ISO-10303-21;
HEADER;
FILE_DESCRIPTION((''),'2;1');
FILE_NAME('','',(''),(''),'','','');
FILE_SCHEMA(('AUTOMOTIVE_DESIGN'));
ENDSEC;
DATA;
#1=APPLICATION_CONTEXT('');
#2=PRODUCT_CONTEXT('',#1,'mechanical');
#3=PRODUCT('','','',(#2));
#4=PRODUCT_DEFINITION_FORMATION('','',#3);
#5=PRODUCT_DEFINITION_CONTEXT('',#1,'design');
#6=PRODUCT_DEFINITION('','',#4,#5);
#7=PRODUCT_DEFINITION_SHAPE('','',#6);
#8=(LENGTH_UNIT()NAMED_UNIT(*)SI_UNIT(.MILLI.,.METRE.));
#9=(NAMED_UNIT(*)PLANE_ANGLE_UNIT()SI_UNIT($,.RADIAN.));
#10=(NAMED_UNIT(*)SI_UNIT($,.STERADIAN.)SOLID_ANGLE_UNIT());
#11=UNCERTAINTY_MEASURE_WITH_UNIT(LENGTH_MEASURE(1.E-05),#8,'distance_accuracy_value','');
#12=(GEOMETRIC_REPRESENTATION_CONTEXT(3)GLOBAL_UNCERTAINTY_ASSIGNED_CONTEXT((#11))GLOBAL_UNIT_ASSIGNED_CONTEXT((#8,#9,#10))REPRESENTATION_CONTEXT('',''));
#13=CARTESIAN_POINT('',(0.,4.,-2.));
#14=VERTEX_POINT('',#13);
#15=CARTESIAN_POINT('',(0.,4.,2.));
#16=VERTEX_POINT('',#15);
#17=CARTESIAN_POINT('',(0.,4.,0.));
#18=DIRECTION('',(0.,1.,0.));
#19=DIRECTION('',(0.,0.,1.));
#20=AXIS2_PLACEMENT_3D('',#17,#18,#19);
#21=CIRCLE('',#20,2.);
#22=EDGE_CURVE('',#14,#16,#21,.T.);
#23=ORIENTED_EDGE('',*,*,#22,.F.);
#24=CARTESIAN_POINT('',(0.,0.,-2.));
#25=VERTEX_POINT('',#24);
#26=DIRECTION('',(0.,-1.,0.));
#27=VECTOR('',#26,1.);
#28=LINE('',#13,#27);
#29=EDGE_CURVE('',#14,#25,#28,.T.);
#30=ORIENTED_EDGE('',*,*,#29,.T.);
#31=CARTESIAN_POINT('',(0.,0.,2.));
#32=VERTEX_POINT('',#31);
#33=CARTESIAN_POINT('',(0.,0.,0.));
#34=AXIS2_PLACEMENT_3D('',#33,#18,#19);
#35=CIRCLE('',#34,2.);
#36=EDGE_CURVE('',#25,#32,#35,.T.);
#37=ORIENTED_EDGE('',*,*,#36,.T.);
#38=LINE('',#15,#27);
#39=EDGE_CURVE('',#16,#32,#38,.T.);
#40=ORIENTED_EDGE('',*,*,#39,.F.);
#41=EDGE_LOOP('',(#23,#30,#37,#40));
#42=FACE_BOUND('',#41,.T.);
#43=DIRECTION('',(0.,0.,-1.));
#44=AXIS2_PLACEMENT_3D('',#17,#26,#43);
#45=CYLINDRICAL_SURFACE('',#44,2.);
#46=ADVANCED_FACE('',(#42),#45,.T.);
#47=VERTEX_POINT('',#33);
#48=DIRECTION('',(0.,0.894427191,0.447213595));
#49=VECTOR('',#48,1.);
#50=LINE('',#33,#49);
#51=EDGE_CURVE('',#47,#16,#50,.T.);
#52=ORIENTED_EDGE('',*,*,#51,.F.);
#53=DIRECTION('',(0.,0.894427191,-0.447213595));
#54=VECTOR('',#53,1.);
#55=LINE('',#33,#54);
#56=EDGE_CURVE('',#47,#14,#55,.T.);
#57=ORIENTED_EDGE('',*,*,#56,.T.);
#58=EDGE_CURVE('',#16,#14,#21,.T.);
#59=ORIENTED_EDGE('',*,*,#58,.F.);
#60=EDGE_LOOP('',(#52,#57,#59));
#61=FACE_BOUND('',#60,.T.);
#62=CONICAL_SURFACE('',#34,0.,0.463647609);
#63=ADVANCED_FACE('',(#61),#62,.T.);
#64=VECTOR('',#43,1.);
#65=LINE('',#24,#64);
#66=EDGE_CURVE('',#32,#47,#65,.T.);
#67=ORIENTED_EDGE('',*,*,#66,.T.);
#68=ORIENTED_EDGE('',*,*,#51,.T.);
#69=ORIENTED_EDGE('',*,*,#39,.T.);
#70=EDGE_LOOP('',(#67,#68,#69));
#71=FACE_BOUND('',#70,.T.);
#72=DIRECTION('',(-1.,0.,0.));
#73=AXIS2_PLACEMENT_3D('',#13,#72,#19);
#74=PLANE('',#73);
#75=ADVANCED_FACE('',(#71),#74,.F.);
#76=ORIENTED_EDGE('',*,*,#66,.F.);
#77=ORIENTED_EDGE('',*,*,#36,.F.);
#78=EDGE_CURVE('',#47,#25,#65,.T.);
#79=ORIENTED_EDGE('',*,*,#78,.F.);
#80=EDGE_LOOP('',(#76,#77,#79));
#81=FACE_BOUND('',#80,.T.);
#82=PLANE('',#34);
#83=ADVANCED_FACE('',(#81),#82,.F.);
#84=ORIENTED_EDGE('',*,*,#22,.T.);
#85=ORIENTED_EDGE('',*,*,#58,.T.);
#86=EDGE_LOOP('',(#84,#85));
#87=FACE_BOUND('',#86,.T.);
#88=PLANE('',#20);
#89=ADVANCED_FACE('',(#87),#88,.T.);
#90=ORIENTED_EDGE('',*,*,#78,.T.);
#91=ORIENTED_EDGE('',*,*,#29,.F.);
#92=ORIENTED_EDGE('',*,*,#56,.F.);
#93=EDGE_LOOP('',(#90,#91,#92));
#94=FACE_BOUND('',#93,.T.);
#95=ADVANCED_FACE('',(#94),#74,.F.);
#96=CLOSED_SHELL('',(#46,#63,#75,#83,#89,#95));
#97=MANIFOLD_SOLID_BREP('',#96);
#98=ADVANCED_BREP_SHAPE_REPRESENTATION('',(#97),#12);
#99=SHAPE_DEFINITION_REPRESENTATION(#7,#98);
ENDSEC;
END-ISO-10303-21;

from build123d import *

# Parameters (mm, degrees)
BOSS_EXTRUDE1_DEPTH = 4
REVOLVE1_ANGLE      = 180


with BuildPart() as part:
    # Sketch1 → Boss-Extrude1 (new body)
    with BuildSketch(Plane(origin=(0, 0, 0), x_dir=(1, 0, 0), z_dir=(0, 1, 0))):
        with BuildLine():
            Line((0, 2), (0, -2))
            ThreePointArc((0, -2), (-2, 0), (0, 2))
        make_face()
    extrude(amount=BOSS_EXTRUDE1_DEPTH)

    # Sketch2 → Revolve1 (revolve)
    with BuildSketch(Plane(origin=(0, 0, 0), x_dir=(0, 0, -1), z_dir=(1, 0, 0))):
        Polygon((0, 0), (2, 4), (0, 4), align=None)
    revolve(axis=Axis((0, 4, 0), (0, -1, 0)), revolution_arc=REVOLVE1_ANGLE)


solid = part.part
